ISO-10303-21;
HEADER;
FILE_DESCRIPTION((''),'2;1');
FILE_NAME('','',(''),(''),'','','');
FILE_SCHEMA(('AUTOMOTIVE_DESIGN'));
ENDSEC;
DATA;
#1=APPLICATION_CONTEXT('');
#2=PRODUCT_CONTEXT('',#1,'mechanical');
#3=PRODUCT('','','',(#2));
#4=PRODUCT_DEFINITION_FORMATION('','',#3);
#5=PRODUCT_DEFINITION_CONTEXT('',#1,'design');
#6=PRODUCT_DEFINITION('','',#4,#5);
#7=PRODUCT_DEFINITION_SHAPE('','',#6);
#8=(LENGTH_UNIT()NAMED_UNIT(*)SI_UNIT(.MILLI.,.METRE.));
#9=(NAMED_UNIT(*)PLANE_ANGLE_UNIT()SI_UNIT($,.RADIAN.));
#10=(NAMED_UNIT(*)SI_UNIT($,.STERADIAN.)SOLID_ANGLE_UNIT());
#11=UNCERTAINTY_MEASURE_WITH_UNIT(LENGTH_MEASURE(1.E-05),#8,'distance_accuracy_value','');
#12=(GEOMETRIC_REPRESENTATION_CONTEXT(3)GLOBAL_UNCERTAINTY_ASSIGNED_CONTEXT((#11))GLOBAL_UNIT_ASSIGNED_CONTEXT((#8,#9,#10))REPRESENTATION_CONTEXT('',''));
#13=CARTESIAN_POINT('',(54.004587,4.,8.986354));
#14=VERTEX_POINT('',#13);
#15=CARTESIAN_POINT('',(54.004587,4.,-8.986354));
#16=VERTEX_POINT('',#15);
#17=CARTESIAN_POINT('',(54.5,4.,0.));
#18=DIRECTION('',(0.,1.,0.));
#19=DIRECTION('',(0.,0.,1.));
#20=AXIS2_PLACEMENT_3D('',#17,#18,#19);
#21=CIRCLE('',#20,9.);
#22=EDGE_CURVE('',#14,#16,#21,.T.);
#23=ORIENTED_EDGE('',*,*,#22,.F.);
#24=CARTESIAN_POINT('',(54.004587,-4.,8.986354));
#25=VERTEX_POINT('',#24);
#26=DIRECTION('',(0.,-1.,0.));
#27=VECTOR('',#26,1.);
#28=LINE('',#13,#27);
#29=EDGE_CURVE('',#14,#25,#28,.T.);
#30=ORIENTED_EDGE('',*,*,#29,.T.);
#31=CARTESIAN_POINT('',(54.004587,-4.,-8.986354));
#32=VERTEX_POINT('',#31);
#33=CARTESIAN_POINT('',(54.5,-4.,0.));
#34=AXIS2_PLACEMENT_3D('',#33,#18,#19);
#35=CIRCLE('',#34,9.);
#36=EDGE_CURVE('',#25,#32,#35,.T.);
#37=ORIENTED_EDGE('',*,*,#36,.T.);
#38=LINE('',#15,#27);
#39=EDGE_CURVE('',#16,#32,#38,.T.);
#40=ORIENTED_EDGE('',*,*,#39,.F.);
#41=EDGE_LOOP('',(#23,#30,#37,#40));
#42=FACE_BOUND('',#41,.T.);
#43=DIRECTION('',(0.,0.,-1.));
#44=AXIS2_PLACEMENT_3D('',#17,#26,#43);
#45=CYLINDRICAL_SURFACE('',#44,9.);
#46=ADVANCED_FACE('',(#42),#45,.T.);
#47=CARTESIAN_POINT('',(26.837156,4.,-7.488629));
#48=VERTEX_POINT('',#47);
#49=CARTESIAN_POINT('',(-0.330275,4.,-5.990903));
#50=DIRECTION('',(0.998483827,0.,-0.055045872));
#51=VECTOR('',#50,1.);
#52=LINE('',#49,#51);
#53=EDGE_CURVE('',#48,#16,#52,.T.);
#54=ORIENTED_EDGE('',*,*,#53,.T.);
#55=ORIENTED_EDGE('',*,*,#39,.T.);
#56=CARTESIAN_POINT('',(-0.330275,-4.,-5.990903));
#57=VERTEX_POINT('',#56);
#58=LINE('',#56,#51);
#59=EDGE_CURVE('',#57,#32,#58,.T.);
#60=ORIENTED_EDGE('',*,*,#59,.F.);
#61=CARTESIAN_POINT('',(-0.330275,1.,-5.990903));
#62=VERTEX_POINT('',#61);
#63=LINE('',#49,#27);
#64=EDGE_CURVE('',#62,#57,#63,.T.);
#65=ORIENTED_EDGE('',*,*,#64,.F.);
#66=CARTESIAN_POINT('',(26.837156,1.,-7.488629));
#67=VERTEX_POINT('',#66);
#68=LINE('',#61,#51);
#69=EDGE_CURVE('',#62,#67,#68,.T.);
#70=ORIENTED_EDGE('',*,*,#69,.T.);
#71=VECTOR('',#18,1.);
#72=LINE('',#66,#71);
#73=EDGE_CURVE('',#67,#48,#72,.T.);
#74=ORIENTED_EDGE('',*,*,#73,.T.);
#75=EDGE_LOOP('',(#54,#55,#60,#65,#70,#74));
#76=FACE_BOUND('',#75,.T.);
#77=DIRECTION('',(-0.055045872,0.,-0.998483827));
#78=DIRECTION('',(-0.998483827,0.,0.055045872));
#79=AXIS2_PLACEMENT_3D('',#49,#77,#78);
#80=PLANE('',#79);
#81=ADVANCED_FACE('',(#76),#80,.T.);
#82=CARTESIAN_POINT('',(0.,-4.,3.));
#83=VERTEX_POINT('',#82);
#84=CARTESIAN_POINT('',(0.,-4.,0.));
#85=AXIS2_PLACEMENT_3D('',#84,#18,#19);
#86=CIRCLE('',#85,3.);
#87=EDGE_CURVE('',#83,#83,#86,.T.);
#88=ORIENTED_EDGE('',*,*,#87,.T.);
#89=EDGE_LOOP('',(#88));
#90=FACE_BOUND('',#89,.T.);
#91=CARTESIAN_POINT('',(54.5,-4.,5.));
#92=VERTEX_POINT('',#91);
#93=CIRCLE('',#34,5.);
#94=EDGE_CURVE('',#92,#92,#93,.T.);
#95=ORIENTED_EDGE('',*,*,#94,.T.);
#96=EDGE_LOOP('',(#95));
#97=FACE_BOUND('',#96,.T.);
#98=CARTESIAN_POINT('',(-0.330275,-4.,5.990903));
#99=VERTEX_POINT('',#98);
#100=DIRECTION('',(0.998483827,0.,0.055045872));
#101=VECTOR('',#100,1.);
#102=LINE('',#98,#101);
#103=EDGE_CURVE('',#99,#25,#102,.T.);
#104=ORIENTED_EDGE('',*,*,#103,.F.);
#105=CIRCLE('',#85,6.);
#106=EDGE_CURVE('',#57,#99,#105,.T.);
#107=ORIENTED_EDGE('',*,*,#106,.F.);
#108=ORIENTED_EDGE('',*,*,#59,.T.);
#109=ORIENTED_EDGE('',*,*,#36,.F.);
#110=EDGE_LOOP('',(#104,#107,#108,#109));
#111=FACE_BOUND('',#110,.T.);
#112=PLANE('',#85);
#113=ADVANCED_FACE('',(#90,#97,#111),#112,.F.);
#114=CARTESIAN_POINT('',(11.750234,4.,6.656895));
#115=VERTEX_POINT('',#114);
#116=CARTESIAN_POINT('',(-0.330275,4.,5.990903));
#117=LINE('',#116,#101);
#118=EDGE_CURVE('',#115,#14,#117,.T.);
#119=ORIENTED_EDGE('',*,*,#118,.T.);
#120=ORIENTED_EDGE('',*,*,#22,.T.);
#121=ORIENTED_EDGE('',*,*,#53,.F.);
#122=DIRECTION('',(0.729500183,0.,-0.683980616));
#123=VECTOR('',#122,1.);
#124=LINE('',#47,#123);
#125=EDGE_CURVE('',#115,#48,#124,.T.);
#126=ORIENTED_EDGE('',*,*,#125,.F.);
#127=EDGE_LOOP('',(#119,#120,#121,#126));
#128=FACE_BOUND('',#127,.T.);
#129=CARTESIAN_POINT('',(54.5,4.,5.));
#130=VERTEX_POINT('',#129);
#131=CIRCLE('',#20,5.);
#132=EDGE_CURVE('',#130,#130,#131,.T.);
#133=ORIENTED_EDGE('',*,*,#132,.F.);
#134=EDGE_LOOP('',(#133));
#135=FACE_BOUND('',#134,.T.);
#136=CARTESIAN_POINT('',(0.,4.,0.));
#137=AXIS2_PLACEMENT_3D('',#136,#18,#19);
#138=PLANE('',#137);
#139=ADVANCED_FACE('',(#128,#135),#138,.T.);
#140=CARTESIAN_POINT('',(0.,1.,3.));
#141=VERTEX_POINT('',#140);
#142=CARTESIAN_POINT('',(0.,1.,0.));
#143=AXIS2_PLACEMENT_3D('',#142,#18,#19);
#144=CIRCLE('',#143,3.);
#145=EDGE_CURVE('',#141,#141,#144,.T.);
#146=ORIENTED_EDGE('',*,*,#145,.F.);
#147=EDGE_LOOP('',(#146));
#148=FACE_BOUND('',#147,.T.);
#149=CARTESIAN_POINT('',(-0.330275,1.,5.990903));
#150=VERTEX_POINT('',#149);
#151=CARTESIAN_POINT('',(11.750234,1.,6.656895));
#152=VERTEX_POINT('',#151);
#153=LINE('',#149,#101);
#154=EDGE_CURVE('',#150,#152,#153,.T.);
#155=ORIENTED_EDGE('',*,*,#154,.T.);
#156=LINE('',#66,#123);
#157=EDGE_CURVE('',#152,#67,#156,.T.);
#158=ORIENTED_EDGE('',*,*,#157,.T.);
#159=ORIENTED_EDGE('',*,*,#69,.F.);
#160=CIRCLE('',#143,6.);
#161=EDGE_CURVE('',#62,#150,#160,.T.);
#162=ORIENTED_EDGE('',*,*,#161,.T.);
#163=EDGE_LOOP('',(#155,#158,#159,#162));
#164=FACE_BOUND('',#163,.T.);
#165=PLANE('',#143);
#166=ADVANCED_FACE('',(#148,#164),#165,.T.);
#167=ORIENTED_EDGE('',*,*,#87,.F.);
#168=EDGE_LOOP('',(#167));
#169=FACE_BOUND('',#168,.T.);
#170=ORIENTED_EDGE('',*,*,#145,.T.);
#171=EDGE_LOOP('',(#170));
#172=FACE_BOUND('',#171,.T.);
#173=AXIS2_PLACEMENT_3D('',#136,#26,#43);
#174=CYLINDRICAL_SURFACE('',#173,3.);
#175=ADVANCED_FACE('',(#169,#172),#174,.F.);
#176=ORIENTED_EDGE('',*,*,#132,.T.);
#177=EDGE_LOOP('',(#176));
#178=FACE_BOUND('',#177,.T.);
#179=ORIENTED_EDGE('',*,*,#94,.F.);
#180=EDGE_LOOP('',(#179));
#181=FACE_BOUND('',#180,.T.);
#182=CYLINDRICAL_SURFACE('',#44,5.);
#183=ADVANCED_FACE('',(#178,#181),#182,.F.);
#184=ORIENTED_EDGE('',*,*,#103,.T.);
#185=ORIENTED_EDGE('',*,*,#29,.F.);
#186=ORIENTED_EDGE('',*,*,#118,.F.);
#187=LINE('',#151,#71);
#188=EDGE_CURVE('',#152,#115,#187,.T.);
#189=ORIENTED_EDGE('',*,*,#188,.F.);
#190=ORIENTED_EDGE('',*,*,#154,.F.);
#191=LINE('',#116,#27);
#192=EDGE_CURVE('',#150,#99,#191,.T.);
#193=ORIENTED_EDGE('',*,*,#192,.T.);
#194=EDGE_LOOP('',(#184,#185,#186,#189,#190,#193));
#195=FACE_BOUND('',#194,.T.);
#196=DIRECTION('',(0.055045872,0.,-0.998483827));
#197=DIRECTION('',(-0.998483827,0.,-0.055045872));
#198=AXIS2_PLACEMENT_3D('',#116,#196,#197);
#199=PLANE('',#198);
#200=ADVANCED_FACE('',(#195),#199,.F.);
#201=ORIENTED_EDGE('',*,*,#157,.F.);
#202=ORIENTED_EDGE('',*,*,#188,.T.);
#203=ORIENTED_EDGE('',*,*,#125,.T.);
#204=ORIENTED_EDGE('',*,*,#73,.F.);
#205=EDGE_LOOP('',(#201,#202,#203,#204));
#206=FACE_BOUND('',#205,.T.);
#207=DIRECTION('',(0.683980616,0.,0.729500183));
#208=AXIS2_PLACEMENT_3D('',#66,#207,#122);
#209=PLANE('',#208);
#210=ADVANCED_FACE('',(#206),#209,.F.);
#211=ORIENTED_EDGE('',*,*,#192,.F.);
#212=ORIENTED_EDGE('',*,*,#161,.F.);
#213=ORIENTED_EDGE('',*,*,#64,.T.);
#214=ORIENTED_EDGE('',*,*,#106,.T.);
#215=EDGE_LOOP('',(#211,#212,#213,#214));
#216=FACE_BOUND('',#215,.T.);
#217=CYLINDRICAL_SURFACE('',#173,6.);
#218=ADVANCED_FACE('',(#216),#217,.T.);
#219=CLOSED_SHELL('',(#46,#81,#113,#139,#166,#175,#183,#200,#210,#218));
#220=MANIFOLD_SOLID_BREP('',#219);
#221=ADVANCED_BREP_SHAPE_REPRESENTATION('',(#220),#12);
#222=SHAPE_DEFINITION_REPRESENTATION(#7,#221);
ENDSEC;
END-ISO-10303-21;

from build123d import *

# Parameters (mm, degrees)
SKETCH_1_R          = 3
SKETCH_1_R_2        = 5
EXTRUDE_1_DEPTH     = 4
CUT_EXTRUDE_1_DEPTH = 3


with BuildPart() as part:
    # 草图1 → 凸台-拉伸1 (new, symmetric)
    with BuildSketch(Plane(origin=(0, 0, 0), x_dir=(1, 0, 0), z_dir=(0, 1, 0))):
        with BuildLine():
            ThreePointArc((-0.330275229, 5.99090296), (-6, 0), (-0.330275229, -5.99090296))
            Line((-0.330275229, -5.99090296), (54.004587156, -8.98635444))
            ThreePointArc((54.004587156, -8.98635444), (63.5, 0), (54.004587156, 8.98635444))
            Line((54.004587156, 8.98635444), (-0.330275229, 5.99090296))
        make_face()
        with Locations(Location((0, 0, 0), (0, 0, 270))):
            Circle(SKETCH_1_R, mode=Mode.SUBTRACT)
        with Locations(Location((54.5, 0, 0), (0, 0, 270))):
            Circle(SKETCH_1_R_2, mode=Mode.SUBTRACT)
    extrude(amount=EXTRUDE_1_DEPTH, both=True)

    # 草图2 → 切除-拉伸1 (cut)
    with BuildSketch(Plane(origin=(0, 4, 0), x_dir=(1, 0, 0), z_dir=(0, 1, 0))):
        Polygon((26.837155963, 7.4886287), (11.750234203, -6.65689489), (-12.859516692, -6.65689489), (-12.859516692, 10.73344258), align=None)
    extrude(amount=-CUT_EXTRUDE_1_DEPTH, mode=Mode.SUBTRACT)


solid = part.part
